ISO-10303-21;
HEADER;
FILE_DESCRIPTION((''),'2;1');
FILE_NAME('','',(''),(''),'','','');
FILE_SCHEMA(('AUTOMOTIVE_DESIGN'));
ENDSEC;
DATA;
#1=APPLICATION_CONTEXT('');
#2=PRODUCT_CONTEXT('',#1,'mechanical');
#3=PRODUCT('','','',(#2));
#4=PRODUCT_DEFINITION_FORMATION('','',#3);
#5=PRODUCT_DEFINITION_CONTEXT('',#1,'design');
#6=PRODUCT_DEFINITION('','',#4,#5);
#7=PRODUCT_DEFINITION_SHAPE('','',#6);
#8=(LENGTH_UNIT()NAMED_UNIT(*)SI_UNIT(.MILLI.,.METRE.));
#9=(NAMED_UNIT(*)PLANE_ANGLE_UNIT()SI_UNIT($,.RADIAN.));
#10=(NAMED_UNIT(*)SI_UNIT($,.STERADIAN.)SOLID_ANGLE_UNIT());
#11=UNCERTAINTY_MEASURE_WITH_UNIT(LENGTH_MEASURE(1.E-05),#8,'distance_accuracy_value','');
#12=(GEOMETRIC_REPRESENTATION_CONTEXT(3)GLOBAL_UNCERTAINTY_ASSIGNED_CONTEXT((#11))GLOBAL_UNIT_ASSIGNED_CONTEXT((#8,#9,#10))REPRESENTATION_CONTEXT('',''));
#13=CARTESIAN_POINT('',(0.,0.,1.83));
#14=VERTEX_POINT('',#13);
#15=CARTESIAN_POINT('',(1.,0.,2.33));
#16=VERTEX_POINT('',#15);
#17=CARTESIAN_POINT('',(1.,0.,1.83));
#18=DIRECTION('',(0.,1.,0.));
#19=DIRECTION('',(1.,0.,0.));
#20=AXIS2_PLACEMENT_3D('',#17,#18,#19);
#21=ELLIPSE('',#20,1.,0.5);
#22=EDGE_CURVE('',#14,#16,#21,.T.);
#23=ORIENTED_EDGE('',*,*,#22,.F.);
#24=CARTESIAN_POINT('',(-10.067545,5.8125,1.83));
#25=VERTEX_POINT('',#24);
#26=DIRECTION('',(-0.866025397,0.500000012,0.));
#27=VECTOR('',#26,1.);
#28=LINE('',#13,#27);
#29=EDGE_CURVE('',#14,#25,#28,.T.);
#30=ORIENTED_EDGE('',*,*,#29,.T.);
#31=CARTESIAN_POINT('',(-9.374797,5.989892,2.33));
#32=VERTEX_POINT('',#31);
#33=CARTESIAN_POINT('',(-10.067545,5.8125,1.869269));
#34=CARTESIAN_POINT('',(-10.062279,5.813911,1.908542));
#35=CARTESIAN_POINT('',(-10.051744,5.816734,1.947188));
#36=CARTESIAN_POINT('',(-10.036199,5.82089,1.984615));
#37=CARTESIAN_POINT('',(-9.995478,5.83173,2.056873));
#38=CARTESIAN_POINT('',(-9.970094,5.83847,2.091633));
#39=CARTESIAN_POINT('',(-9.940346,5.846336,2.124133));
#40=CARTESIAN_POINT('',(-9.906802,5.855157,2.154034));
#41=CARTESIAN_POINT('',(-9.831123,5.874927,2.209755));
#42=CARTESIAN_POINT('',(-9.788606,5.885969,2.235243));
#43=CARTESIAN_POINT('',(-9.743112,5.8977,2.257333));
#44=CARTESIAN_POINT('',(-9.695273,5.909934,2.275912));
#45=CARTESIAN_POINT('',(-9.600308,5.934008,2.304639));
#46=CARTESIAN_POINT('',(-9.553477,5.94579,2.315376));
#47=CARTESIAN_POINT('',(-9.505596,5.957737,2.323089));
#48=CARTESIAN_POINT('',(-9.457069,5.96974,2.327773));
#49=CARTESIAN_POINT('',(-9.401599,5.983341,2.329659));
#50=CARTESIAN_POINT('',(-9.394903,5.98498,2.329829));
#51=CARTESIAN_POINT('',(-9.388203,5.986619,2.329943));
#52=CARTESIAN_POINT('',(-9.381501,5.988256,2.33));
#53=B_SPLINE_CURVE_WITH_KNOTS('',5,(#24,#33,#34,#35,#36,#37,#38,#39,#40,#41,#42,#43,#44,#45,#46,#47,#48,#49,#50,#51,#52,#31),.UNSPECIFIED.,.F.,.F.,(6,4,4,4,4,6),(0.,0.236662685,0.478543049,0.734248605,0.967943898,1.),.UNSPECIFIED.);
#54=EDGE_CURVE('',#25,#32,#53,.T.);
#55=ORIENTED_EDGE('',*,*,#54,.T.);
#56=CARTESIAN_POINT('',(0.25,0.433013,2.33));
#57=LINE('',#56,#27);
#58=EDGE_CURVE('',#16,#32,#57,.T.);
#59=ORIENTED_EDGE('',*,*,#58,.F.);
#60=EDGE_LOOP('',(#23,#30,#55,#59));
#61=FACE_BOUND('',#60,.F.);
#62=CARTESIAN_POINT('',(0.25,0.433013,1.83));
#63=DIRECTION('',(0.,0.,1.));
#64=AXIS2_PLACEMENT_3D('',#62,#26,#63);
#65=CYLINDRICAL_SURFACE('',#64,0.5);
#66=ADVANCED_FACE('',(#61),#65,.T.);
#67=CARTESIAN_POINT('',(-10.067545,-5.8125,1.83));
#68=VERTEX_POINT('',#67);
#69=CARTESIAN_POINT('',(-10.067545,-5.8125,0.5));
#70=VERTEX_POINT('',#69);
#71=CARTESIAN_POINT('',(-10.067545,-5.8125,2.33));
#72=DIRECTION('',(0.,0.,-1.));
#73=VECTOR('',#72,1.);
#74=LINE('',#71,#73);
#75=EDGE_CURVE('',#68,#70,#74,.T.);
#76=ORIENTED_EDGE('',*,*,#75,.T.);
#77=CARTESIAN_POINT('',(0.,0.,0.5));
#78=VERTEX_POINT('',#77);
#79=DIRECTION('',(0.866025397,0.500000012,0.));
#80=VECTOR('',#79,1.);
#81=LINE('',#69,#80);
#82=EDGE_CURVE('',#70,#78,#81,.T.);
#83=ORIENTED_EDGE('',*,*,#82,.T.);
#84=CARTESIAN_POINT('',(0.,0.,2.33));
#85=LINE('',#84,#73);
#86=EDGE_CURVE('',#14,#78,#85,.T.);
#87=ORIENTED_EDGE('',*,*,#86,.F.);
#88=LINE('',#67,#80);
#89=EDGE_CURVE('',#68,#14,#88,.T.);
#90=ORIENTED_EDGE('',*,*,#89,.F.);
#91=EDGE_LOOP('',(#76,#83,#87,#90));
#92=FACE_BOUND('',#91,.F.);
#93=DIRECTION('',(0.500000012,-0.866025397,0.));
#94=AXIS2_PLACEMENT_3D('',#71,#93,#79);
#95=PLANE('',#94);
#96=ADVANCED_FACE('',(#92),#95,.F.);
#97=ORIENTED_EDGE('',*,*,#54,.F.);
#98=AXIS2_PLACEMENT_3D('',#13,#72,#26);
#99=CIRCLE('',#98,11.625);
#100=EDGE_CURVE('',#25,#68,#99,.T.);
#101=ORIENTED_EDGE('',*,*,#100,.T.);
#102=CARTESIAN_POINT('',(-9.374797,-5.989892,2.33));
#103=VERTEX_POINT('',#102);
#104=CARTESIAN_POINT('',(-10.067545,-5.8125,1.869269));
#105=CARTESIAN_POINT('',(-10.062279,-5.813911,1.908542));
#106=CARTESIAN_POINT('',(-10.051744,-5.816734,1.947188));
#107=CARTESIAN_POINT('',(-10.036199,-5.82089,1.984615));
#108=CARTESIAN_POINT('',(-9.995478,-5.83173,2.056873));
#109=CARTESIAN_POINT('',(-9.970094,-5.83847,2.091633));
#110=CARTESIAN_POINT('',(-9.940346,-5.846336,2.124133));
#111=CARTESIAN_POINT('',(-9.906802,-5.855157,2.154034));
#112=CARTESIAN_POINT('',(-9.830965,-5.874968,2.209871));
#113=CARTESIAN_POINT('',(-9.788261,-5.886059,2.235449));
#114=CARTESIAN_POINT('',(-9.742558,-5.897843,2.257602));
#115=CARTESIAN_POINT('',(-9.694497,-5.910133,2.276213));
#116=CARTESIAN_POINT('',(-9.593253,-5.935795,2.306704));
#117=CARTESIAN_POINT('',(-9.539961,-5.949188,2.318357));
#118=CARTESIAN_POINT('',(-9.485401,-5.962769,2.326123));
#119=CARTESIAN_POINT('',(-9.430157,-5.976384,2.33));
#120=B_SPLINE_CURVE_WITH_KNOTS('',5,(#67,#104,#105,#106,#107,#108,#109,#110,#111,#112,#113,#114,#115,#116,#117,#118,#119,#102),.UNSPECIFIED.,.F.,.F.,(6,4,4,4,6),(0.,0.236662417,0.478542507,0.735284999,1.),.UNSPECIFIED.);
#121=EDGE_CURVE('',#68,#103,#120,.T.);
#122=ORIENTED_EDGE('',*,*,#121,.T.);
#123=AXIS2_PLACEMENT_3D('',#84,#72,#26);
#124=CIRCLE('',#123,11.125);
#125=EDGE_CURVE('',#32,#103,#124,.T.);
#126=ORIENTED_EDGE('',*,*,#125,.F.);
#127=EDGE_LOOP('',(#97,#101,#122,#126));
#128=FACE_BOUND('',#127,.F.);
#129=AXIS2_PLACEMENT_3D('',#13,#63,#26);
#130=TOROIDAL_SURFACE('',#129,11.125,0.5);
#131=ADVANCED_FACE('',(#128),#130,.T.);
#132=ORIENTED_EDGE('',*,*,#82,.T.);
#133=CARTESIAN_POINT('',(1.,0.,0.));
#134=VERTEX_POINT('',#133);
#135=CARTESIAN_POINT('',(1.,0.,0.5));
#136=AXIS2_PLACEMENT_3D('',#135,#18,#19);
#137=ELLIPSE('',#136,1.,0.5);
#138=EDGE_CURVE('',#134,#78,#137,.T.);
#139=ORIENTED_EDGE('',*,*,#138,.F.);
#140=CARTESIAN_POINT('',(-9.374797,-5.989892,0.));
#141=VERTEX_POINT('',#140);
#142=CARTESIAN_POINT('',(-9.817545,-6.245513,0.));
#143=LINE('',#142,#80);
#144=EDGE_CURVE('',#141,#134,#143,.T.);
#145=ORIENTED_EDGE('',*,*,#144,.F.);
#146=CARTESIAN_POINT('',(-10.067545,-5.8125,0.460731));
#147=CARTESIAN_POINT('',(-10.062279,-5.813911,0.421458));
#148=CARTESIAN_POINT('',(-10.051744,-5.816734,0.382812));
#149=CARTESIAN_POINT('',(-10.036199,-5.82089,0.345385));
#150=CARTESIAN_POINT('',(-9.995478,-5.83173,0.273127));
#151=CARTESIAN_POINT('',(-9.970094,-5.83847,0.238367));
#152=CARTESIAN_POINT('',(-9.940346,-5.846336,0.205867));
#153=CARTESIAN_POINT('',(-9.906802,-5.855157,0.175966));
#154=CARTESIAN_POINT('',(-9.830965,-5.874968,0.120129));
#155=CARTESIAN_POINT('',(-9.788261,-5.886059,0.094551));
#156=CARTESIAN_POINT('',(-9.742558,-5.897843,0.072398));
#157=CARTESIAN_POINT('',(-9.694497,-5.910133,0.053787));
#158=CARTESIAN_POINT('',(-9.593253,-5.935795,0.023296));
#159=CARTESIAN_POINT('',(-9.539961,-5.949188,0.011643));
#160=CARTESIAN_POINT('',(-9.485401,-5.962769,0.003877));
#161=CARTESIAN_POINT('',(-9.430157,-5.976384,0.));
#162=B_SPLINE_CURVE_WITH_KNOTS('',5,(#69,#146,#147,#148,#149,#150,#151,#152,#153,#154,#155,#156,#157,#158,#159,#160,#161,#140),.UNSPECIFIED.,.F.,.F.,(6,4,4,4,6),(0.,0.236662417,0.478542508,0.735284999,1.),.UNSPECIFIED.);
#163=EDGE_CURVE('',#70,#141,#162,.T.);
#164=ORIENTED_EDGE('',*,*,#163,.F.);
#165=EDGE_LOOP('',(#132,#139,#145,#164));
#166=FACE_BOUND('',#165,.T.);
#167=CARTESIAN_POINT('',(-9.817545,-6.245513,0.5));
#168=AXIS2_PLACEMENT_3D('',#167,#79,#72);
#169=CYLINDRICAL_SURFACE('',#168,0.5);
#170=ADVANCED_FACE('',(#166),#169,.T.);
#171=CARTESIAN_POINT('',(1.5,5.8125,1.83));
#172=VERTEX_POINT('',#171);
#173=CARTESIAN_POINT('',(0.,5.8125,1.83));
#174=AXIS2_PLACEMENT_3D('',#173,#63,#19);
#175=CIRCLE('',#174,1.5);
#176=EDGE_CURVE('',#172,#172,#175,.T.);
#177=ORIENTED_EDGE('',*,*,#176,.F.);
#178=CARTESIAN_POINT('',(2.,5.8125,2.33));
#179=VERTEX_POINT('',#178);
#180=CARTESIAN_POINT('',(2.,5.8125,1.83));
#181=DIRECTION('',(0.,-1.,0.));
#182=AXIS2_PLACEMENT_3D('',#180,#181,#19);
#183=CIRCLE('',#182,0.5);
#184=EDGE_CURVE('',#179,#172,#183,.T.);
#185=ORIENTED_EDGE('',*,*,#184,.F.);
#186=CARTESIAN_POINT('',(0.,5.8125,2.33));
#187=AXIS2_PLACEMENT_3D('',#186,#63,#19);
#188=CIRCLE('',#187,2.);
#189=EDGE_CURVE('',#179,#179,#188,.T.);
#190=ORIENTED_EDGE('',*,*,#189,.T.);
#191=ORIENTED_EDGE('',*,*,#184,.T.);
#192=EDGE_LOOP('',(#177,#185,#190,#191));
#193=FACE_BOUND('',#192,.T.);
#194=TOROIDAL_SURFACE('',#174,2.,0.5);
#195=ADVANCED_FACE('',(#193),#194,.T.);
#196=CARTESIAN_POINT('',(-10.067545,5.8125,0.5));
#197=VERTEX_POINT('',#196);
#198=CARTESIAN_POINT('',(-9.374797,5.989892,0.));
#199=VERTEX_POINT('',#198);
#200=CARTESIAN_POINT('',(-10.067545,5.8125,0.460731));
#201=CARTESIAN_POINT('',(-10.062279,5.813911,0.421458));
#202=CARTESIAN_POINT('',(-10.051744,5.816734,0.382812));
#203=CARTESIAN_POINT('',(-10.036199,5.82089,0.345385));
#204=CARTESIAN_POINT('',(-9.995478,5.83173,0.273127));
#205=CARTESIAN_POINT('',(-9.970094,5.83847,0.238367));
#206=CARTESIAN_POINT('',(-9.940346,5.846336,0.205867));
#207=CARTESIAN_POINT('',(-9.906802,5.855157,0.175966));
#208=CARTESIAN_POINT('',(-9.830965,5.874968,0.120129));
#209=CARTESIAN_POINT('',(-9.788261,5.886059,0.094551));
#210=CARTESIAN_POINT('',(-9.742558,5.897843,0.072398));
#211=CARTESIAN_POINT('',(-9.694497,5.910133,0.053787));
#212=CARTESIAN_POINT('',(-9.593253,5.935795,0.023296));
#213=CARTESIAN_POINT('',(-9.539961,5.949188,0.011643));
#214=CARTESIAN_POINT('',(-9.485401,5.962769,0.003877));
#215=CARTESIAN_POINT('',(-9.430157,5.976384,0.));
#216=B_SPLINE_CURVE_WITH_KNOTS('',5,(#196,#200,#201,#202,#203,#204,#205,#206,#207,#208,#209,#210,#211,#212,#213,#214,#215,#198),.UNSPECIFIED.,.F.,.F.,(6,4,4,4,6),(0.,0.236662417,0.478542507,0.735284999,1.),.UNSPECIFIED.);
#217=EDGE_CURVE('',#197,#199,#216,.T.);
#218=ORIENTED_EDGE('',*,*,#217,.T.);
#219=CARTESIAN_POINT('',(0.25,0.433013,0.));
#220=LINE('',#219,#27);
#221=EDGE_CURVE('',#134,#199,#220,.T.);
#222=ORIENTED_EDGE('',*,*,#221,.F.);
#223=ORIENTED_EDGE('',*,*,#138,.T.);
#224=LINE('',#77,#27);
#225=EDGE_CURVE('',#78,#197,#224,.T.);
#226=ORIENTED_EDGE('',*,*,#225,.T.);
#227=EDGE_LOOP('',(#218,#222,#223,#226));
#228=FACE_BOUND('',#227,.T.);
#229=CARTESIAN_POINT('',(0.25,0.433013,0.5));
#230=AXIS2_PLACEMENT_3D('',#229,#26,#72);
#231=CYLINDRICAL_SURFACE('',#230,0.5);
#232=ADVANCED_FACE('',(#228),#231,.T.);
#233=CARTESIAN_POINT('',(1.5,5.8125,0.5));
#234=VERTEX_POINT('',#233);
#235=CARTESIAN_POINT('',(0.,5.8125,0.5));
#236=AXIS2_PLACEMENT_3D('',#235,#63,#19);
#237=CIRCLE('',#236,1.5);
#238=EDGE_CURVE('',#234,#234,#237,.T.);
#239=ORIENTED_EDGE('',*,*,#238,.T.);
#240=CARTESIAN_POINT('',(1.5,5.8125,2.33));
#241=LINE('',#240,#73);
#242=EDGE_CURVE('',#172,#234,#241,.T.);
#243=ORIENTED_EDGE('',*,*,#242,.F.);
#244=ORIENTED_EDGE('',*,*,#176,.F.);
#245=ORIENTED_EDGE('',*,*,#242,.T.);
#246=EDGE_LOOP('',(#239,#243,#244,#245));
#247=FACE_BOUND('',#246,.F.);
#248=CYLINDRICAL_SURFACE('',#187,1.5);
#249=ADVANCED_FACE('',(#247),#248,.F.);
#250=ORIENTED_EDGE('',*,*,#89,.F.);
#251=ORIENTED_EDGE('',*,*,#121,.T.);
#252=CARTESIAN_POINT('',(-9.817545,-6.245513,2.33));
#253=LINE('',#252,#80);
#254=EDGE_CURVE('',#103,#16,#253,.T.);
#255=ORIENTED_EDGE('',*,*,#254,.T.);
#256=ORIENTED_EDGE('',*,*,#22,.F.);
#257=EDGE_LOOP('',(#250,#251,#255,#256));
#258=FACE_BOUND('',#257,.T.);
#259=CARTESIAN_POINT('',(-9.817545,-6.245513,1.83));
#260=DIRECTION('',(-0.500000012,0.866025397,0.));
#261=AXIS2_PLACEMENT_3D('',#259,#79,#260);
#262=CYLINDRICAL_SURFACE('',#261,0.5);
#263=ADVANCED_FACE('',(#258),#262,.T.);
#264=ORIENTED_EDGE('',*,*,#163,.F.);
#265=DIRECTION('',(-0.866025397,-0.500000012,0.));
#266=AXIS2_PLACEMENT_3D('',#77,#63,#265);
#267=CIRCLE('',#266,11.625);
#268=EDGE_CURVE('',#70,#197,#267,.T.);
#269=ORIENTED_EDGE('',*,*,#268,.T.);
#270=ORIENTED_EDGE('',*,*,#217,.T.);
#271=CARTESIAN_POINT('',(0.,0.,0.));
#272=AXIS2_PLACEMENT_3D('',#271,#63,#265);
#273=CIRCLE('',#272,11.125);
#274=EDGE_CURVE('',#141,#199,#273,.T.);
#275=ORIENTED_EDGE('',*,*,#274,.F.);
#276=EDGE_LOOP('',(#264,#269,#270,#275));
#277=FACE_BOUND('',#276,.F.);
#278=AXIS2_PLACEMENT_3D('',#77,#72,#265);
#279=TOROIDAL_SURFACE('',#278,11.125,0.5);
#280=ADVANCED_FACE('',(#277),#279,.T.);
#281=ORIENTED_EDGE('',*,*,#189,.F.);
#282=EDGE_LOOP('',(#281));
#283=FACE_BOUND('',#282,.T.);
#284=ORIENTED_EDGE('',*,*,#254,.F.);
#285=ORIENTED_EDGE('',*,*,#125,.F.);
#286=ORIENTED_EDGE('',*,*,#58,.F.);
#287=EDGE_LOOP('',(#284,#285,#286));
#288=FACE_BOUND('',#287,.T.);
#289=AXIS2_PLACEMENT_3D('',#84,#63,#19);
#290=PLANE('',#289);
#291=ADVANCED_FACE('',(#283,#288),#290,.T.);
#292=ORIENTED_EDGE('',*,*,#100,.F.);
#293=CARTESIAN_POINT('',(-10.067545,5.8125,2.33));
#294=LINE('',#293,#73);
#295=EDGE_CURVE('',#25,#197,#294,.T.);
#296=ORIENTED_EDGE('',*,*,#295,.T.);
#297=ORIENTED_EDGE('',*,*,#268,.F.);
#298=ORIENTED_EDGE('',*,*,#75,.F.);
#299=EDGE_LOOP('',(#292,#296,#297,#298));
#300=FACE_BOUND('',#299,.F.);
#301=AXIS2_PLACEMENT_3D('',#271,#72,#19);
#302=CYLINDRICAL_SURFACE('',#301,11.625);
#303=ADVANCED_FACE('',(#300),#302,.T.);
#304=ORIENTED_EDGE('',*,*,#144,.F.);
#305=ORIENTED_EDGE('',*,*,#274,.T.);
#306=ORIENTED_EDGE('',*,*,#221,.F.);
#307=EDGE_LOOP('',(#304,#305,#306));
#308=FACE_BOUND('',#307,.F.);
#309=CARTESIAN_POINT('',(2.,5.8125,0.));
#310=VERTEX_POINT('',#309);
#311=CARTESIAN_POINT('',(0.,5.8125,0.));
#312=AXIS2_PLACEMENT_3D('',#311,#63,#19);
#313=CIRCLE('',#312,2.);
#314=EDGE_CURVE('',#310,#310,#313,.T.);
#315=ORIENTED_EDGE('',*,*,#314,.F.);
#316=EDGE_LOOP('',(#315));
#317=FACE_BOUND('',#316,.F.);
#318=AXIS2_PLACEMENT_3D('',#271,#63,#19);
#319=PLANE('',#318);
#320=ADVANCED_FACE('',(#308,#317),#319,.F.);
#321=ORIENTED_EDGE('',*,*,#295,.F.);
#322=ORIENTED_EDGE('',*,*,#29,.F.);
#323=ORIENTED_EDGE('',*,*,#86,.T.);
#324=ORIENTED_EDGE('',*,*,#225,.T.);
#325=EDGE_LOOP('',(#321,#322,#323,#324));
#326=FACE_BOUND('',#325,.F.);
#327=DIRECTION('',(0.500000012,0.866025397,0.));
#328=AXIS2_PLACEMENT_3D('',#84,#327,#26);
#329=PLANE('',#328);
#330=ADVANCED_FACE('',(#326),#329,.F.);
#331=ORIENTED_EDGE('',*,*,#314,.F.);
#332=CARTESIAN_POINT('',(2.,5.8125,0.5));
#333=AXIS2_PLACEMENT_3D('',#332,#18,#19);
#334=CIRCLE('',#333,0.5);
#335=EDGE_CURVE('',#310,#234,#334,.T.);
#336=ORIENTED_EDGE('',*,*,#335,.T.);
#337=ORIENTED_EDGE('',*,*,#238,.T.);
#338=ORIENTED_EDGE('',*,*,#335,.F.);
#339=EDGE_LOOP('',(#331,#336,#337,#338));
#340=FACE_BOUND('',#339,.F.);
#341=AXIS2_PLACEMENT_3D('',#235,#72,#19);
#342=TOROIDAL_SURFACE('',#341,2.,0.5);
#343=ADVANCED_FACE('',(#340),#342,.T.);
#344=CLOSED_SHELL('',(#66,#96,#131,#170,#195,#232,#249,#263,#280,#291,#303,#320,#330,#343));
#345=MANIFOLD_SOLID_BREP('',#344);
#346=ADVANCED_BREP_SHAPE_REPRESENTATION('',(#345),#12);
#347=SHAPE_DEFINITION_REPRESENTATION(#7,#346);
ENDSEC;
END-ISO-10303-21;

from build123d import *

# Parameters (mm, degrees)
F0_R     = 11.625
F1_DEPTH = 2.33
F3_DEPTH = 2.331
F4_R     = 1.5
F5_DEPTH = 2.331
F6_R     = 0.5


with BuildPart() as f1:
    # F0 (on Top) → F1 (new body)
    with BuildSketch(Plane.XY):
        Circle(F0_R)
    extrude(amount=F1_DEPTH)

    # F2 (on face) → F3 (cut, through all)
    with BuildSketch(Plane.XY.offset(2.33)):
        with BuildLine():
            Line((-10.067545, -5.8125), (0, 0))
            Line((0, 0), (-10.067545, 5.8125))
            ThreePointArc((-10.067545, 5.8125), (-11.625, 0), (-10.067545, -5.8125))
        make_face()
    extrude(amount=-F3_DEPTH, mode=Mode.SUBTRACT)

    # F4 (on face) → F5 (cut, through all)
    with BuildSketch(Plane.XY.offset(2.33)):
        with Locations((0, 5.8125)):
            Circle(F4_R)
    extrude(amount=-F5_DEPTH, mode=Mode.SUBTRACT)

    # F6
    f6_edges = [f1.edges().sort_by_distance(p)[0] for p in [
        (11.625, 0, 2.33),
        (11.625, 0, 0),
        (-5.033773, -2.90625, 2.33),
        (-5.033773, 2.90625, 2.33),
        (-5.033773, -2.90625, 0),
        (-5.033773, 2.90625, 0),
        (-1.5, 5.8125, 0),
        (-1.5, 5.8125, 2.33),
    ]]
    fillet(f6_edges, radius=F6_R)


solid = f1.part
